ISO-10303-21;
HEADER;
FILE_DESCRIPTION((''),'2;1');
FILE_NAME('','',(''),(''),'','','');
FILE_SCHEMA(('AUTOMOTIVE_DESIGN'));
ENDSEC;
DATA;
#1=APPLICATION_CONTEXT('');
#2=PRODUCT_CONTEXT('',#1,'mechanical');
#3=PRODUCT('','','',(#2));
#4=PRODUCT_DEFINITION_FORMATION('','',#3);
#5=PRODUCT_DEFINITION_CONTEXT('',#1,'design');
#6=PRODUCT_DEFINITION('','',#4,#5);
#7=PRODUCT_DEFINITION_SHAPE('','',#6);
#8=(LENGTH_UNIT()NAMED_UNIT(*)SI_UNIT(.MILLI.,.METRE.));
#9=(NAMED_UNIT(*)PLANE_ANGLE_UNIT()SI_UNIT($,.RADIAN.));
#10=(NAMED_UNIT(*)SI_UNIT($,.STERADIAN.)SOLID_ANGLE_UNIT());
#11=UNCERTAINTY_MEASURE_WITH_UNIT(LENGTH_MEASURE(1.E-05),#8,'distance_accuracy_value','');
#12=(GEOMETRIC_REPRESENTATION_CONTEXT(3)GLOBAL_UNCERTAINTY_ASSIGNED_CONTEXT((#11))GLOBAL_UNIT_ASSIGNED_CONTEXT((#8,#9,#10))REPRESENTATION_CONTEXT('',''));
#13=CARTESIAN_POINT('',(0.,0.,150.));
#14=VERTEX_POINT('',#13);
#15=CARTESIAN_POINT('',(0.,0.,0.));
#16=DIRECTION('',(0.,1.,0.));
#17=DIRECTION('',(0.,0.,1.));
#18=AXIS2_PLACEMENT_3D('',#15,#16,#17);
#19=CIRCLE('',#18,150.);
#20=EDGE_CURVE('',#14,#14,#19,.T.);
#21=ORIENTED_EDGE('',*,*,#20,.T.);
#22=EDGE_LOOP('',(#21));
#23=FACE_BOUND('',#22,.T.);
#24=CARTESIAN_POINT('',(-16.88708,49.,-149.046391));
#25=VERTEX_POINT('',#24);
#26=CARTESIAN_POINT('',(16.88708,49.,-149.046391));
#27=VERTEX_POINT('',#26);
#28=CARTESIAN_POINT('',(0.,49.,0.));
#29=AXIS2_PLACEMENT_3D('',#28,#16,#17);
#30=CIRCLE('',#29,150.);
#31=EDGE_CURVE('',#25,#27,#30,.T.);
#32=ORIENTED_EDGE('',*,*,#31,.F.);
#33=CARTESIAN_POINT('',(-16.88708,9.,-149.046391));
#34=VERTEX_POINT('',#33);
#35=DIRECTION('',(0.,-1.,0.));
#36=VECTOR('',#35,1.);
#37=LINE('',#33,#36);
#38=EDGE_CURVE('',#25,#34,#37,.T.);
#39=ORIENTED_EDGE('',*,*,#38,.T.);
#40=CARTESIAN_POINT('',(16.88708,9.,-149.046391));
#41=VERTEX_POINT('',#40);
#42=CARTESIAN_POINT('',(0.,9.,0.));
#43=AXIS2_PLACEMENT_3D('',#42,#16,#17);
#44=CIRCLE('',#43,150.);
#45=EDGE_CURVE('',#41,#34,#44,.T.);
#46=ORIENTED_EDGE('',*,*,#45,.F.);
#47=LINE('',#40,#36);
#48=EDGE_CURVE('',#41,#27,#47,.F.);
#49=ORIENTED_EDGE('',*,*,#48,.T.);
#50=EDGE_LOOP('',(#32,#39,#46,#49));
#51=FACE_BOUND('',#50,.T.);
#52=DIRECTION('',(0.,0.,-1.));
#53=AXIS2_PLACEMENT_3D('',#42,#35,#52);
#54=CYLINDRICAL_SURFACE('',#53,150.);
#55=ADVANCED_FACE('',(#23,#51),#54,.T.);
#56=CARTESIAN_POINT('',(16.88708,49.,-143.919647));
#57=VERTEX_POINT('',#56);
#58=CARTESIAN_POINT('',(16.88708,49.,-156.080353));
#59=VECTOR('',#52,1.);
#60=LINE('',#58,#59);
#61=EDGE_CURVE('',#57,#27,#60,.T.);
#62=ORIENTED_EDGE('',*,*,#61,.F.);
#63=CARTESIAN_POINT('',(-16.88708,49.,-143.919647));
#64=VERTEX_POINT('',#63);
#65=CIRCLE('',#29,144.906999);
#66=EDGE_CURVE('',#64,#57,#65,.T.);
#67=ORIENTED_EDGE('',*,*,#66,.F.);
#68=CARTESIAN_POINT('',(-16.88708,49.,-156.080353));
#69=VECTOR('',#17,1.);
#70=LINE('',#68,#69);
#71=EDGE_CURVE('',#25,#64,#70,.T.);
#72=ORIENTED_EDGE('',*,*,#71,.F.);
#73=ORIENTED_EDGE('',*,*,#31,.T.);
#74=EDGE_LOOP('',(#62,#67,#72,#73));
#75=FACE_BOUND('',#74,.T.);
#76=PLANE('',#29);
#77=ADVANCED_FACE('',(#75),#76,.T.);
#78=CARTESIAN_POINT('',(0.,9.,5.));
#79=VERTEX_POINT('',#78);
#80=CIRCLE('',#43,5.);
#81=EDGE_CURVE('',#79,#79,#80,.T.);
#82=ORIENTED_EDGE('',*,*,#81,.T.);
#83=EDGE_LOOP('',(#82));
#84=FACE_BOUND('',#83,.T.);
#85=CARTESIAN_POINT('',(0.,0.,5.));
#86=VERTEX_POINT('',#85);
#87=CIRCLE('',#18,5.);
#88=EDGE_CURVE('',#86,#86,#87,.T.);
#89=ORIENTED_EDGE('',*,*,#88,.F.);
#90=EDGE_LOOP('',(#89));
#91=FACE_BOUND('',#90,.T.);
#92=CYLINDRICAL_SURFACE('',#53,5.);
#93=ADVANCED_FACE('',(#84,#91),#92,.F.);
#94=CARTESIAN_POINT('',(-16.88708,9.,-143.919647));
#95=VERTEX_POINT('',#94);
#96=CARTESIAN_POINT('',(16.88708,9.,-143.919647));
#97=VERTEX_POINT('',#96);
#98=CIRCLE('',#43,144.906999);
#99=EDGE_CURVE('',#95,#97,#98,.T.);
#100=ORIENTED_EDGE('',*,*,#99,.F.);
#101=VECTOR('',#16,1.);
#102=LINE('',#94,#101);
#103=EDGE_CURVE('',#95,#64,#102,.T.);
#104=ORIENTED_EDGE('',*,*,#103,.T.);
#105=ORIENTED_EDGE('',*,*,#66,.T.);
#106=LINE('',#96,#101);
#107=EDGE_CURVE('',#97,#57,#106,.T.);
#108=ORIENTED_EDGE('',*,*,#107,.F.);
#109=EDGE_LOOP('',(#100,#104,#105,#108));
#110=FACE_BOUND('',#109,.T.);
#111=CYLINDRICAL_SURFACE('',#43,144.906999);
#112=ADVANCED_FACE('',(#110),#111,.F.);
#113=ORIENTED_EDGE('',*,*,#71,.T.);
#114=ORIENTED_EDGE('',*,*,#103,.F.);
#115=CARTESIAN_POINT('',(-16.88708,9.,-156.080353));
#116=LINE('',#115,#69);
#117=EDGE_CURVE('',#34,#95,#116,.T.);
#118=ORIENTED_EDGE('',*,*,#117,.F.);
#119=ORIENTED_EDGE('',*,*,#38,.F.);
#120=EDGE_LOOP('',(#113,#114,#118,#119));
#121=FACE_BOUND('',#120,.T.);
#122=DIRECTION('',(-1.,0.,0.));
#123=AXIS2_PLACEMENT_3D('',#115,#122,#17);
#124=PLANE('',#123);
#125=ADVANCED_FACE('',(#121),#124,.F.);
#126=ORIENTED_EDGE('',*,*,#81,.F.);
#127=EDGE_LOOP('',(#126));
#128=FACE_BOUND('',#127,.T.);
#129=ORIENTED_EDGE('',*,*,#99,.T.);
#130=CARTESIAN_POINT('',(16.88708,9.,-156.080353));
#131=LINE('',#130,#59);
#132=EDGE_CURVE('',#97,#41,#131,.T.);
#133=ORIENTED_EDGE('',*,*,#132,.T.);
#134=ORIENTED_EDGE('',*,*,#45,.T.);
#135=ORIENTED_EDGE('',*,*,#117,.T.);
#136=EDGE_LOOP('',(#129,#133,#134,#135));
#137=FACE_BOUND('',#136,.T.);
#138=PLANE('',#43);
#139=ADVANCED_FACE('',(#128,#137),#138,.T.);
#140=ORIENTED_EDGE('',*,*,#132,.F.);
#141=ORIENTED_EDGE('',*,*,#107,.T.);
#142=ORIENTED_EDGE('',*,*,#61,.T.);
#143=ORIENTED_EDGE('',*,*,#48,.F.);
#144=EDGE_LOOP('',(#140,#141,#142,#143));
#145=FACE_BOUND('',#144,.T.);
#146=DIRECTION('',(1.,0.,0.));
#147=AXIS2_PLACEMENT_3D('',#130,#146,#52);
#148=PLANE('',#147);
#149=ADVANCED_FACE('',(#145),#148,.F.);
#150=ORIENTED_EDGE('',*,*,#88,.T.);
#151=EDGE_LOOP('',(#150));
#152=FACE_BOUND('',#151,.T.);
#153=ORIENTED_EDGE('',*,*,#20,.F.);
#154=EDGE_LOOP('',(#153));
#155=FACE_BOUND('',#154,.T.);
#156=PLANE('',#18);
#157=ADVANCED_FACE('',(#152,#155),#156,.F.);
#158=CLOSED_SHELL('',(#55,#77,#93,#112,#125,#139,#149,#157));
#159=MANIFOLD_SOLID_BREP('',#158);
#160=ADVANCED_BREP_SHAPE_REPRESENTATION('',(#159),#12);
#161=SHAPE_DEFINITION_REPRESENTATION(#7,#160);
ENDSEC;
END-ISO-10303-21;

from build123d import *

# Parameters (mm, degrees)
SKETCH2_R           = 150
SKETCH2_R_2         = 5
BOSS_EXTRUDE1_DEPTH = 9
SKETCH3_R           = 150
BOSS_EXTRUDE2_DEPTH = 40
SKETCH9_R           = 144.906998713
CUT_EXTRUDE2_DEPTH  = 40
SKETCH11_W          = 33.774160464
SKETCH11_H          = 12.160705968
CUT_EXTRUDE9_DEPTH  = 40


with BuildPart() as part:
    # Sketch2 → Boss-Extrude1 (new body)
    with BuildSketch(Plane(origin=(0, 0, 0), x_dir=(1, 0, 0), z_dir=(0, 1, 0))):
        with Locations(Location((0, 0, 0), (0, 0, 270))):
            Circle(SKETCH2_R)
        with Locations(Location((0, 0, 0), (0, 0, 270))):
            Circle(SKETCH2_R_2, mode=Mode.SUBTRACT)
    extrude(amount=BOSS_EXTRUDE1_DEPTH)

    # Sketch3 → Boss-Extrude2 (add)
    with BuildSketch(Plane(origin=(0, 9, 0), x_dir=(1, 0, 0), z_dir=(0, 1, 0))):
        with Locations(Location((0, 0, 0), (0, 0, 270))):
            Circle(SKETCH3_R)
    extrude(amount=BOSS_EXTRUDE2_DEPTH)

    # Sketch9 → Cut-Extrude2 (cut)
    with BuildSketch(Plane(origin=(0, 49, 0), x_dir=(1, 0, 0), z_dir=(0, 1, 0))):
        with Locations(Location((0, 0, 0), (0, 0, 270))):
            Circle(SKETCH9_R)
    extrude(amount=-CUT_EXTRUDE2_DEPTH, mode=Mode.SUBTRACT)

    # Sketch11 → Cut-Extrude9 (cut)
    with BuildSketch(Plane(origin=(0, 49, 0), x_dir=(1, 0, 0), z_dir=(0, 1, 0))):
        with Locations((0, 150)):
            Rectangle(SKETCH11_W, SKETCH11_H)
    extrude(amount=-CUT_EXTRUDE9_DEPTH, mode=Mode.SUBTRACT)


solid = part.part
